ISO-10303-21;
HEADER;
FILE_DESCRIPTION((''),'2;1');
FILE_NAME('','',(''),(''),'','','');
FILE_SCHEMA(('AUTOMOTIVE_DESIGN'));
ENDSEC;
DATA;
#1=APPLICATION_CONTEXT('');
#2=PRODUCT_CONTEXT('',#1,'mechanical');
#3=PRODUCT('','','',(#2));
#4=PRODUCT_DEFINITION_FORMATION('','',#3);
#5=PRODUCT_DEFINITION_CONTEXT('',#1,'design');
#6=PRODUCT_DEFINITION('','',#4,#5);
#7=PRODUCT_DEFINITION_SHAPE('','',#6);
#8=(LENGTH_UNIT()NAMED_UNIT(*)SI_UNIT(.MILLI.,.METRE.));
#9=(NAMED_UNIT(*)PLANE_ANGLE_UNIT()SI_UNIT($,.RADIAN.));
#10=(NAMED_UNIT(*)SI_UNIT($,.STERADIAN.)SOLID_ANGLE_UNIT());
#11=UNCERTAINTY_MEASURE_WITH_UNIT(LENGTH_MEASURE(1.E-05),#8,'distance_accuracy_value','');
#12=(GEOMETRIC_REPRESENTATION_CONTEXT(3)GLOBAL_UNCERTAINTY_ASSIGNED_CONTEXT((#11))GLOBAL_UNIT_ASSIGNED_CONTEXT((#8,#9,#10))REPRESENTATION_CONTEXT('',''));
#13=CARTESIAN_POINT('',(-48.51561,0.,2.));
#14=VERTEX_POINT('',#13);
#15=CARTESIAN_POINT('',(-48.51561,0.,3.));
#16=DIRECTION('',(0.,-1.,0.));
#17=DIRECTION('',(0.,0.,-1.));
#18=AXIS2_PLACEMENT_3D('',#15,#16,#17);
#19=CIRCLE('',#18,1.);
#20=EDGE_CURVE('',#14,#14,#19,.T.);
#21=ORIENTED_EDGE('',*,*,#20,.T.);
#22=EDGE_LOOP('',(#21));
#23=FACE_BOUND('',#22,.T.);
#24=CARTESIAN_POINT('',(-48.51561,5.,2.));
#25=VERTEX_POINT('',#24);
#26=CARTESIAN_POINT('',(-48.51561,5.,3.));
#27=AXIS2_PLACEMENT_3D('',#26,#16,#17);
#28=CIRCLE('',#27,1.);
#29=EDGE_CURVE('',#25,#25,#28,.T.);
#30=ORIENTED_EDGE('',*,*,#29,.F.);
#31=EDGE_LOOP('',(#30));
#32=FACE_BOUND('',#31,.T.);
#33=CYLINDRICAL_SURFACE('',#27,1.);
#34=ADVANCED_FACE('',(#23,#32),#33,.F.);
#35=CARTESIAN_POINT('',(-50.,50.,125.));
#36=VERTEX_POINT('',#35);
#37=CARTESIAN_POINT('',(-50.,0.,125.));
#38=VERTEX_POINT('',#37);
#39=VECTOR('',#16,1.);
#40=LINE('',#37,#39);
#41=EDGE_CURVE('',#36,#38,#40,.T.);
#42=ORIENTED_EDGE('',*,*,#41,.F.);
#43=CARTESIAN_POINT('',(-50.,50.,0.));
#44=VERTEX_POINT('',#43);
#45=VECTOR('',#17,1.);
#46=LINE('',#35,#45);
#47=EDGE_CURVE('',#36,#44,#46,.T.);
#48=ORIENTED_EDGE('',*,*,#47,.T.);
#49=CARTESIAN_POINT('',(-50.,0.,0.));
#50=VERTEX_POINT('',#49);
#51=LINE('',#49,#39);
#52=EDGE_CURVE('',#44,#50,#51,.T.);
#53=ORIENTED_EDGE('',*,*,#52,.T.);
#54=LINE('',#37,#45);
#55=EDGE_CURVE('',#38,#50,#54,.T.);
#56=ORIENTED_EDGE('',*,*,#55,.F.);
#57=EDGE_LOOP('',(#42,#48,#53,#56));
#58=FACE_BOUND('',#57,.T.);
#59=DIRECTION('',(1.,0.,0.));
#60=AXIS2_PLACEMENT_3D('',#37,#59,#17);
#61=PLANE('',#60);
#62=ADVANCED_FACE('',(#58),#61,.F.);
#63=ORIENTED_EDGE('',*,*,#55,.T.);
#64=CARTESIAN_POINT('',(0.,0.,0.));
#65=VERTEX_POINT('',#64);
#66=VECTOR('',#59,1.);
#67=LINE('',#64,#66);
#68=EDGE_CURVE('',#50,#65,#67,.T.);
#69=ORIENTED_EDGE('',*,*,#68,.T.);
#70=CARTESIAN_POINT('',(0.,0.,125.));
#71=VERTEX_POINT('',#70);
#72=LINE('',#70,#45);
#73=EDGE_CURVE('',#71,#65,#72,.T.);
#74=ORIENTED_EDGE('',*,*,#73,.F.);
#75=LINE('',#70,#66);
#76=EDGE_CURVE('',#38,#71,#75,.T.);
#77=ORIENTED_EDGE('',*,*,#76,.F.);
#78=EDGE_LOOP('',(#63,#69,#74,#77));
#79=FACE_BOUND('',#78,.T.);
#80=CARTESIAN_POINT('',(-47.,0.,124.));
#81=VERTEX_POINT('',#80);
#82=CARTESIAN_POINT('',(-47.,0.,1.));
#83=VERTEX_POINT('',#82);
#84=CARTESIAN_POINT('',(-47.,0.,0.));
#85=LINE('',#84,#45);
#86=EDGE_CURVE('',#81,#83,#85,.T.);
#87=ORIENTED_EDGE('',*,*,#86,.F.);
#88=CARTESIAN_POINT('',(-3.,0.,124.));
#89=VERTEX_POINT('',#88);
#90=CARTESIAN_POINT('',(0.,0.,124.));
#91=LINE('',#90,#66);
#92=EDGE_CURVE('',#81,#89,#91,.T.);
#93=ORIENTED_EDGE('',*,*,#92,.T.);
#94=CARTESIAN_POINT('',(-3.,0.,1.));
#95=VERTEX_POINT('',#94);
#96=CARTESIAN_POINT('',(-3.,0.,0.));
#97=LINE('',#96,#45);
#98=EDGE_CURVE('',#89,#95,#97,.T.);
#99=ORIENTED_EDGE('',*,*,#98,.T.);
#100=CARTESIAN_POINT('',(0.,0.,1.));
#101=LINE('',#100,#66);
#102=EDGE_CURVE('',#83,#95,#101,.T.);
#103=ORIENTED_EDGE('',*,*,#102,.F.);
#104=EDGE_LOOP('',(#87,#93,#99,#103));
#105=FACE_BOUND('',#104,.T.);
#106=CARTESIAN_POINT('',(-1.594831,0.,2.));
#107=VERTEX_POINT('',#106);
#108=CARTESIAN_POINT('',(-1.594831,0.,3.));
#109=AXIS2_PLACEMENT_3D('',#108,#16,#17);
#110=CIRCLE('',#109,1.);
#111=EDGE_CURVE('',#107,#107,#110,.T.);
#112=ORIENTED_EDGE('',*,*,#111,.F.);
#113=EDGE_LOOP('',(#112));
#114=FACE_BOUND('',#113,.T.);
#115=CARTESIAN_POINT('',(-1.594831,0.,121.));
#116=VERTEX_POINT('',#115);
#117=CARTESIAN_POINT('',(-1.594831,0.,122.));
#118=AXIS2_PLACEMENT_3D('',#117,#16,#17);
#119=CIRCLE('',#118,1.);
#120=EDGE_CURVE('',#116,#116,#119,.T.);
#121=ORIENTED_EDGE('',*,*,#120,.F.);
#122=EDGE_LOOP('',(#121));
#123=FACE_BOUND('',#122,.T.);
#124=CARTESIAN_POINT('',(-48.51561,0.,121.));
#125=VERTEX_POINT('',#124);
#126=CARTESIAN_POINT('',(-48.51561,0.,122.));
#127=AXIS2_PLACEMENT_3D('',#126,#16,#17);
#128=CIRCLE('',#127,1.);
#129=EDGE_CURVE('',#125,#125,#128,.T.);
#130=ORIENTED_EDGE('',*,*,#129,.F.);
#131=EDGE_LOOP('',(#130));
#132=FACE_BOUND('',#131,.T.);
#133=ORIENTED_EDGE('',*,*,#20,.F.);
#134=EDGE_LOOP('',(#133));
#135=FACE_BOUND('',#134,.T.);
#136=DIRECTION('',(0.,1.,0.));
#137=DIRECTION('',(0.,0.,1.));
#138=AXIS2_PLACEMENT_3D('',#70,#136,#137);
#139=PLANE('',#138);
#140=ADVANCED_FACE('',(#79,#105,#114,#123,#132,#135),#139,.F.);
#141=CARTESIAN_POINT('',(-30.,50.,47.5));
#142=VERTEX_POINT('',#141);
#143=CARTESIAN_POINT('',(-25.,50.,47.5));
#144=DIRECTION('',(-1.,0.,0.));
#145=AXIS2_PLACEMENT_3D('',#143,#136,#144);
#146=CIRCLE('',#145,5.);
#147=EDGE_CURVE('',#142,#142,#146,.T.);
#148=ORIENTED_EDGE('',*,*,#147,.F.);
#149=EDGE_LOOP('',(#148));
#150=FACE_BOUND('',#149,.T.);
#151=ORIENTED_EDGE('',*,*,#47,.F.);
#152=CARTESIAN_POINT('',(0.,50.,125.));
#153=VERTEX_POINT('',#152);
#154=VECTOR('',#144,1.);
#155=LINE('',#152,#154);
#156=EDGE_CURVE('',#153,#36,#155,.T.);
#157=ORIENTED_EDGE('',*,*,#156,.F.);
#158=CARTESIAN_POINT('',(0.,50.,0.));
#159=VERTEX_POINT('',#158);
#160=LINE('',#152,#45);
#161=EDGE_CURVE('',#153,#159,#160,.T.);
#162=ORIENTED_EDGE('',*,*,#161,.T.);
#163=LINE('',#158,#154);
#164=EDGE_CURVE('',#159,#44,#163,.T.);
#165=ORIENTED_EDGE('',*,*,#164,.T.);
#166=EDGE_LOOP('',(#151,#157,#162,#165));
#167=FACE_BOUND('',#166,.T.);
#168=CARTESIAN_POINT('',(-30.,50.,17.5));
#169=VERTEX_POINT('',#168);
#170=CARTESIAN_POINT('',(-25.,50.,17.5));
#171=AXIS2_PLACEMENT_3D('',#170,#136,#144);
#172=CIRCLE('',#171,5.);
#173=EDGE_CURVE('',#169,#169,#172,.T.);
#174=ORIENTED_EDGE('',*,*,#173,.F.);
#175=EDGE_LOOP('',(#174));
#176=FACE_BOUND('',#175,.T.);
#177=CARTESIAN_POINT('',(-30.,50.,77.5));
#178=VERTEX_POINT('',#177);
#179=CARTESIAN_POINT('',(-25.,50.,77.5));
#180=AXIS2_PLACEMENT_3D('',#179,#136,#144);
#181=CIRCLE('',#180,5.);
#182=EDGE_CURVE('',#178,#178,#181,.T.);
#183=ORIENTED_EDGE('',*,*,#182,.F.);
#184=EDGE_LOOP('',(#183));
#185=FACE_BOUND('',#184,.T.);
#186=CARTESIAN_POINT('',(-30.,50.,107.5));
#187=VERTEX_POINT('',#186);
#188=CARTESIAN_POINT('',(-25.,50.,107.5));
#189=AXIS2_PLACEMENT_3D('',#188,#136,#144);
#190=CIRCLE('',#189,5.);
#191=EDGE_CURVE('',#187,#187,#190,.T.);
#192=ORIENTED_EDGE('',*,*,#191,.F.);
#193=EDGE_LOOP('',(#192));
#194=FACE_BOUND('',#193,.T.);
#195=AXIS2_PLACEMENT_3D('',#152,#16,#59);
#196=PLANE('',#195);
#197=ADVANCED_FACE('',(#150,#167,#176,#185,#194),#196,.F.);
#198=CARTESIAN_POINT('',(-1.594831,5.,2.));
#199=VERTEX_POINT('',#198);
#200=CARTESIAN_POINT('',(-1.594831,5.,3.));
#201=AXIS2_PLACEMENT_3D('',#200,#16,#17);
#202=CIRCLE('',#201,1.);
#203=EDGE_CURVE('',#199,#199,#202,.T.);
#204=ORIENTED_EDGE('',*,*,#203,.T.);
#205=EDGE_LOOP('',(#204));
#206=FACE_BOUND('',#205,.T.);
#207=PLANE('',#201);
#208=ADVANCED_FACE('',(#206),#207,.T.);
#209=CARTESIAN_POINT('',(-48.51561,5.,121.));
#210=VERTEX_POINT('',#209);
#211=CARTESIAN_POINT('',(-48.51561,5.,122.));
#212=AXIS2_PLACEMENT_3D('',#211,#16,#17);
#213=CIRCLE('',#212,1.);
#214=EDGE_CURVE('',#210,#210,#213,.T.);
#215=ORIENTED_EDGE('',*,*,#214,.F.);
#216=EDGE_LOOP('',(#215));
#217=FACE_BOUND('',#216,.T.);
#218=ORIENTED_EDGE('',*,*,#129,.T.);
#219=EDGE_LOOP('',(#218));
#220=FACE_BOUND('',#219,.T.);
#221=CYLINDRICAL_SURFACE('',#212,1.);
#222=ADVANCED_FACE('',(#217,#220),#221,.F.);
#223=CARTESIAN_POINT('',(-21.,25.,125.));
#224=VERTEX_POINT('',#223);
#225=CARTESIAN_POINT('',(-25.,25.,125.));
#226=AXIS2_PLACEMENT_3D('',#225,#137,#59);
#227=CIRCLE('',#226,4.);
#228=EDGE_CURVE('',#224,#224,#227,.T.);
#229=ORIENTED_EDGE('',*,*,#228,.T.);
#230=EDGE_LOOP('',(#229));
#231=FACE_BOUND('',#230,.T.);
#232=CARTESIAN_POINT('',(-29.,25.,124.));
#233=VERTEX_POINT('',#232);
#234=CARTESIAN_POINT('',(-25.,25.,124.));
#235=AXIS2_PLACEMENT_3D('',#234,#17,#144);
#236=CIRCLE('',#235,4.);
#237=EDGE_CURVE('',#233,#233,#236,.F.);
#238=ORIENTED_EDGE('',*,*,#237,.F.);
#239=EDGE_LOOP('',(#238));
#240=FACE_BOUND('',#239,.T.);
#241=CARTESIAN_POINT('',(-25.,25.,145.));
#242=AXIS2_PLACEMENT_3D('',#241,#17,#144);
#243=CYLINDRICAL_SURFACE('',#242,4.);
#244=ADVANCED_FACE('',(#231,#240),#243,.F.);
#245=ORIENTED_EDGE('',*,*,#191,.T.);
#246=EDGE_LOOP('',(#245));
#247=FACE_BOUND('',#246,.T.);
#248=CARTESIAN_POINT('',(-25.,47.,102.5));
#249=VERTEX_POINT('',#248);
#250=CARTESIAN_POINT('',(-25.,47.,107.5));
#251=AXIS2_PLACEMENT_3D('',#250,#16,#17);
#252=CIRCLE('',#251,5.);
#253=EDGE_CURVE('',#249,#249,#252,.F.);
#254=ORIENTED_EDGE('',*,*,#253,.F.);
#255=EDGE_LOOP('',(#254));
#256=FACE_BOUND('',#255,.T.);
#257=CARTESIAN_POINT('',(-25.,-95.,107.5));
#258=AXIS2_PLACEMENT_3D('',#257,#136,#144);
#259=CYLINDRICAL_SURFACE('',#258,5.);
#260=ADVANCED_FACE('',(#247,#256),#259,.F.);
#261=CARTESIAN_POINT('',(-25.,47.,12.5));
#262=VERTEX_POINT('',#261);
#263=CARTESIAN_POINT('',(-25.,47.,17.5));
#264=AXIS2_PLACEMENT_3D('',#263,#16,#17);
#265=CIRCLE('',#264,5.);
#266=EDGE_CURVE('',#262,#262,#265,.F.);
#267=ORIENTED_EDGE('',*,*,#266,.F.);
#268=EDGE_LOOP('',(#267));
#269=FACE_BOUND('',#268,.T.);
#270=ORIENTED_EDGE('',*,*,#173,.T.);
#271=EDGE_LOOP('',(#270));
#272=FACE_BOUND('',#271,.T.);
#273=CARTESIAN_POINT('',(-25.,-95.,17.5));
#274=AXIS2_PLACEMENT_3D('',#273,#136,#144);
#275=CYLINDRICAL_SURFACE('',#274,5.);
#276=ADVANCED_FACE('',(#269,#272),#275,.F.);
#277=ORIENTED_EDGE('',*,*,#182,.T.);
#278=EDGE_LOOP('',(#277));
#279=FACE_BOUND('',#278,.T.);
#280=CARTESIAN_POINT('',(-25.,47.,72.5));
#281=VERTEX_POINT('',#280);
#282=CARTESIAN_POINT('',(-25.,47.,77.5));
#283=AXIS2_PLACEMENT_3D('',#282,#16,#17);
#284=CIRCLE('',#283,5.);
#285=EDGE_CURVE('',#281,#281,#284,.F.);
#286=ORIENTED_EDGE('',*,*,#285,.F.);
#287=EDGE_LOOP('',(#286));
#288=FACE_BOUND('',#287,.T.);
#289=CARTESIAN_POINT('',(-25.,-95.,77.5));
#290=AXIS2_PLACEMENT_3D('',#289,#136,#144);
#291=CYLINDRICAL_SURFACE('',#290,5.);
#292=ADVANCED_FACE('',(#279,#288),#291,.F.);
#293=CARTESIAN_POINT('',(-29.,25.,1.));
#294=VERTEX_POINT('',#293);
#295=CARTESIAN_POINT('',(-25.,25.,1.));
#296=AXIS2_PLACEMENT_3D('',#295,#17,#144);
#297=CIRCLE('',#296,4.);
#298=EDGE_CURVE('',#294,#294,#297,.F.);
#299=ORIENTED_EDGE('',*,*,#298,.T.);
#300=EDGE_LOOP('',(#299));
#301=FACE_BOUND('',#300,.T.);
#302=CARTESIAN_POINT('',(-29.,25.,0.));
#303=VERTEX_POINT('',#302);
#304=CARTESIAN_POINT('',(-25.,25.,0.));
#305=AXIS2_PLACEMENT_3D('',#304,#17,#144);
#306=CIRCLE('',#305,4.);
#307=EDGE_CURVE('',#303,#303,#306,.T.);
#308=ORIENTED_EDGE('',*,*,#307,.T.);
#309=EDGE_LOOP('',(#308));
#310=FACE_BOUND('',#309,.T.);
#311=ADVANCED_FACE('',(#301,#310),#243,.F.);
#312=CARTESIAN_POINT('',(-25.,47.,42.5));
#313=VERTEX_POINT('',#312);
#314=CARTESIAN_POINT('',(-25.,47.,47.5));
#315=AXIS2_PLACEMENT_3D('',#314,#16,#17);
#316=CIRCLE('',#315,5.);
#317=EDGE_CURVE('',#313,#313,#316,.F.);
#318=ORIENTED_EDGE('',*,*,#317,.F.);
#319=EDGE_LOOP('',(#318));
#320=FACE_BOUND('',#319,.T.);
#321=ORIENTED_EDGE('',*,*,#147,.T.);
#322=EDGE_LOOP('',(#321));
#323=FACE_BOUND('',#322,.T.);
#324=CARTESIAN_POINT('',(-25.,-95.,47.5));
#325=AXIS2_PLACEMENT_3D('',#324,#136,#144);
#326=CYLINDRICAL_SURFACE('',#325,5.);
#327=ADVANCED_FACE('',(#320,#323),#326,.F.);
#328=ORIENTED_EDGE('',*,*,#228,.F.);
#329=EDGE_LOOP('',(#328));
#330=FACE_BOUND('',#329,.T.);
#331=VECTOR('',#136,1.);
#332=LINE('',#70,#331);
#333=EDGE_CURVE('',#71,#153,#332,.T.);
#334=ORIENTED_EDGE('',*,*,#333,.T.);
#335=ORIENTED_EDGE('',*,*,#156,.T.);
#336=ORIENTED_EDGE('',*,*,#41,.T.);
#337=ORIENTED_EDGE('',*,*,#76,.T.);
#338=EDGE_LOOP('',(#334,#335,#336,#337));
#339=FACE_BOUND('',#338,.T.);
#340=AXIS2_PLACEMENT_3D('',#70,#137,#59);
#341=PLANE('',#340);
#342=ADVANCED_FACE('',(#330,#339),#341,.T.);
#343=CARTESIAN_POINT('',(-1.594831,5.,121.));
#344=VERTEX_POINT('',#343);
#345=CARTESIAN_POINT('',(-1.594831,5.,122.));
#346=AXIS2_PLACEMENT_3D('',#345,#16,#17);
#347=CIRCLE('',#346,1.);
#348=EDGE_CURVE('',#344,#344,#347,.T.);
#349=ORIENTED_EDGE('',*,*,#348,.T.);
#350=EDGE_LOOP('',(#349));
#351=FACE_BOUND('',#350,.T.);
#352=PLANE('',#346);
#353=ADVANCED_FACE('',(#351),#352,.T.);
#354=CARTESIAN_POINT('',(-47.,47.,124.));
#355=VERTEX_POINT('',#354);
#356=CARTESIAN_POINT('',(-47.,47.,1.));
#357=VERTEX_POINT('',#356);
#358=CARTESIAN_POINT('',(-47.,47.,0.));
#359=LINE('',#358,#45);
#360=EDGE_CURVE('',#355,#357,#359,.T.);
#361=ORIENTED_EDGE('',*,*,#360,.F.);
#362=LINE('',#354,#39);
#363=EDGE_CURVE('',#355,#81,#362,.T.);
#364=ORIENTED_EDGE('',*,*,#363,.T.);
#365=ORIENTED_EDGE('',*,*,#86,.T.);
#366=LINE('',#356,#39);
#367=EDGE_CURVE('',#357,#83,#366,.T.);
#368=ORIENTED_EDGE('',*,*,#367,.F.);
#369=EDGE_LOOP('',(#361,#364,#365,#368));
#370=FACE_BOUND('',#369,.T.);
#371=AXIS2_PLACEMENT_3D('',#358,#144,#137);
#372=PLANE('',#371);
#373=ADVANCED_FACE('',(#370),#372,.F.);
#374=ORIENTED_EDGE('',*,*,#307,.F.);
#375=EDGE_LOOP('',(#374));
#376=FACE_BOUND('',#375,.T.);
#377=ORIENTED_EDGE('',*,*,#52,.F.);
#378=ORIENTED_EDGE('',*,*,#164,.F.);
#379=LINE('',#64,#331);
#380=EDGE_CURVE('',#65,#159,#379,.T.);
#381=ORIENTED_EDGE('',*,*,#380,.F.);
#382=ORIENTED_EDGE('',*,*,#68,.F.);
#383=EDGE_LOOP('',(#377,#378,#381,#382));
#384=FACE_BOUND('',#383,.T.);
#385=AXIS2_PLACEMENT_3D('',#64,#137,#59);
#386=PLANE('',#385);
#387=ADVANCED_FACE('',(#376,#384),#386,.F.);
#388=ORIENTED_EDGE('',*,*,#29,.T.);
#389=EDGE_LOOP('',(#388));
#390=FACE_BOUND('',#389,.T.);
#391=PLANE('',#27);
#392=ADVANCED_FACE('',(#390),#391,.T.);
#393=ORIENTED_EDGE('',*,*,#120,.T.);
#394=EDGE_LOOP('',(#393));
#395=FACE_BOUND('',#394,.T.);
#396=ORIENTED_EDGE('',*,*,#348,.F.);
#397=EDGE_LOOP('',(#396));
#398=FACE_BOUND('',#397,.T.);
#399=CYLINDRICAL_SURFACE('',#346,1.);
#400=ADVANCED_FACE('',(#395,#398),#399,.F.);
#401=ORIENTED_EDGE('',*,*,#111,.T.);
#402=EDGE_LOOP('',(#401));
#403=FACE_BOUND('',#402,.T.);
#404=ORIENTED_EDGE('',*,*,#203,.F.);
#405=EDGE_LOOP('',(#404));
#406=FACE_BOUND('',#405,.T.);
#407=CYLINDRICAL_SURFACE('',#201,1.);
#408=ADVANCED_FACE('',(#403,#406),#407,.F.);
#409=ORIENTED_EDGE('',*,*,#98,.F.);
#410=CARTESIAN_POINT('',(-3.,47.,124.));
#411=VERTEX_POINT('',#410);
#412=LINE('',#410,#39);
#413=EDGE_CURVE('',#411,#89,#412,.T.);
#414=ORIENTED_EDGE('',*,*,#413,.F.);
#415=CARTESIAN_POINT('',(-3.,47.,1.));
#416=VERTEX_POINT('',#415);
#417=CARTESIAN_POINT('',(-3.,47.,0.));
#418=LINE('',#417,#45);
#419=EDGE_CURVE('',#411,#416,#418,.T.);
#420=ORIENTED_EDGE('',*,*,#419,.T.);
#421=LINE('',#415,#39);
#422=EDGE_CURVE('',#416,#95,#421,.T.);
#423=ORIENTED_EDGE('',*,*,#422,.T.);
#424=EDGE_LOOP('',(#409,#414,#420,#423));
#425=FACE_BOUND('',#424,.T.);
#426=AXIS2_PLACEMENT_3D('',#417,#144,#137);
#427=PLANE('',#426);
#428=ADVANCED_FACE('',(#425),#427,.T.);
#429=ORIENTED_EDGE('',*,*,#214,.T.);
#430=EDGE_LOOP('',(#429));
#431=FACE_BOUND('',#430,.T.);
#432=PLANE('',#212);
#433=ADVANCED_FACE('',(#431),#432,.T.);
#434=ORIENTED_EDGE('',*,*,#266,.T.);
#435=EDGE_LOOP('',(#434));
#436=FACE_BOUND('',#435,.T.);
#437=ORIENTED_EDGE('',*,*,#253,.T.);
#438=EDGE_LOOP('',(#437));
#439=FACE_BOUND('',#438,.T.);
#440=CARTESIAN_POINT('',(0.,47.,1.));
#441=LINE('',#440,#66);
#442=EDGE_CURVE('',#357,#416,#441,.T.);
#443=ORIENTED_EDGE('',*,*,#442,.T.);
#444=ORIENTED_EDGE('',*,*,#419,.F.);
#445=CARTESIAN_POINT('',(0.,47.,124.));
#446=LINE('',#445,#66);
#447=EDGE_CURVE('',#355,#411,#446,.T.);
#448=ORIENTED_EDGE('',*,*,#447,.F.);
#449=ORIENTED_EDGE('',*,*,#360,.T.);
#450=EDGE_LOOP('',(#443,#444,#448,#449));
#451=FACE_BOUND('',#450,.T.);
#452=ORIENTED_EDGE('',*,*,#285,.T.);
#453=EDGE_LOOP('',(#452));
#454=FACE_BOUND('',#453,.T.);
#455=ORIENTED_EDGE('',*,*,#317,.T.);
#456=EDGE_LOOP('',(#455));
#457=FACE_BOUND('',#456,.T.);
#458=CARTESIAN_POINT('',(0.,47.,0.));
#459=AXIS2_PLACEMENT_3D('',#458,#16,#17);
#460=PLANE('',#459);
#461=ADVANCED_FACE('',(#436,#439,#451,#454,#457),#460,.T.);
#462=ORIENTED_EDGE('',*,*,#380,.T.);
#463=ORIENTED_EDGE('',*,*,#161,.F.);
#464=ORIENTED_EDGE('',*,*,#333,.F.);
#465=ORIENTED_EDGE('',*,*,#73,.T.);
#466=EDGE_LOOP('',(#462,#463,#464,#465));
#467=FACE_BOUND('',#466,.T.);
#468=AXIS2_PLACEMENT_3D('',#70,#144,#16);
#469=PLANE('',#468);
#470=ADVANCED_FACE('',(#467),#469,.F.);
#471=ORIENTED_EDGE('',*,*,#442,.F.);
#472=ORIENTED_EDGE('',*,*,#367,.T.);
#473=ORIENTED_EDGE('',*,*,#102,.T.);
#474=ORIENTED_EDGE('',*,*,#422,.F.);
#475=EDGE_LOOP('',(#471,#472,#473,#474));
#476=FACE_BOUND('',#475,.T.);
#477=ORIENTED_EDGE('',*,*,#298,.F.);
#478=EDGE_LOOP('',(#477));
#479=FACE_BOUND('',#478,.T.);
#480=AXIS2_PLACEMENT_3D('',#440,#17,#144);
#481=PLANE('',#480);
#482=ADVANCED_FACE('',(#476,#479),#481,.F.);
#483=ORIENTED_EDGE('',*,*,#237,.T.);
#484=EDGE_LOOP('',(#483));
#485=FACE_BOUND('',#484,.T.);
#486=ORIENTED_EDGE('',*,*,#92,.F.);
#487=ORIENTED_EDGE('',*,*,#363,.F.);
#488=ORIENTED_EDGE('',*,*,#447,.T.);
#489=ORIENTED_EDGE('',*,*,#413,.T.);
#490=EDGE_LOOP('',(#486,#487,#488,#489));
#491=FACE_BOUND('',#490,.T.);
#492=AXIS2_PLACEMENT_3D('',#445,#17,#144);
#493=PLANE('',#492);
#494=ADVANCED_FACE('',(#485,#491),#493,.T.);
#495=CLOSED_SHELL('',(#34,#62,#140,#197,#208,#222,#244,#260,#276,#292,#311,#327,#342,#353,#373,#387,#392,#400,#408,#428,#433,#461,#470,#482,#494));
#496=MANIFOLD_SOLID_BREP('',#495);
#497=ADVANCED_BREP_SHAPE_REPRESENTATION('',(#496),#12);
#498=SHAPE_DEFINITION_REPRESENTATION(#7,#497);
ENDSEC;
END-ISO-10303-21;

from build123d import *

# Parameters (mm, degrees)
SKETCH1_W           = 50
SKETCH1_H           = 50
BOSS_EXTRUDE1_DEPTH = 125
SKETCH2_R           = 5
CUT_EXTRUDE1_DEPTH  = 145
SKETCH3_R           = 4
CUT_EXTRUDE2_DEPTH  = 145
CUT_EXTRUDE3_START  = -47
SKETCH4_W           = 44
SKETCH4_H           = 123
SKETCH4_R           = 5
CUT_EXTRUDE3_DEPTH  = 47
SKETCH5_R           = 1
CUT_EXTRUDE4_DEPTH  = 5


with BuildPart() as part:
    # Sketch1 → Boss-Extrude1 (new body)
    with BuildSketch(Plane.XY):
        with Locations((-25, 25)):
            Rectangle(SKETCH1_W, SKETCH1_H)
    extrude(amount=BOSS_EXTRUDE1_DEPTH)

    # Sketch2 → Cut-Extrude1 (cut)
    with BuildSketch(Plane(origin=(0, 50, 0), x_dir=(1, 0, 0), z_dir=(0, 1, 0))):
        with Locations(Location((-25, -17.5, 0), (0, 0, 180))):
            Circle(SKETCH2_R)
        with Locations(Location((-25, -47.5, 0), (0, 0, 180))):
            Circle(SKETCH2_R)
        with Locations(Location((-25, -77.5, 0), (0, 0, 180))):
            Circle(SKETCH2_R)
        with Locations(Location((-25, -107.5, 0), (0, 0, 180))):
            Circle(SKETCH2_R)
    extrude(amount=-CUT_EXTRUDE1_DEPTH, mode=Mode.SUBTRACT)

    # Sketch3 → Cut-Extrude2 (cut)
    with BuildSketch(Plane(origin=(0, 0, 0), x_dir=(-1, 0, 0), z_dir=(0, 0, -1))):
        with Locations((25, 25)):
            Circle(SKETCH3_R)
    extrude(amount=-CUT_EXTRUDE2_DEPTH, mode=Mode.SUBTRACT)

    # Sketch4 → Cut-Extrude3 (cut)
    with BuildSketch(Plane(origin=(0, 0, 0), x_dir=(-1, 0, 0), z_dir=(0, -1, 0)).offset(CUT_EXTRUDE3_START)):
        with Locations((25, -62.5)):
            Rectangle(SKETCH4_W, SKETCH4_H)
        with Locations((25, -47.5)):
            Circle(SKETCH4_R, mode=Mode.SUBTRACT)
        with Locations((25, -107.5)):
            Circle(SKETCH4_R, mode=Mode.SUBTRACT)
        with Locations((25, -77.5)):
            Circle(SKETCH4_R, mode=Mode.SUBTRACT)
        with Locations((25, -17.5)):
            Circle(SKETCH4_R, mode=Mode.SUBTRACT)
    extrude(amount=CUT_EXTRUDE3_DEPTH, mode=Mode.SUBTRACT)

    # Sketch5 → Cut-Extrude4 (cut)
    with BuildSketch(Plane(origin=(0, 0, 0), x_dir=(-1, 0, 0), z_dir=(0, -1, 0))):
        with Locations(Location((48.515610021, -122, 0), (0, 0, 90))):
            Circle(SKETCH5_R)
        with Locations(Location((1.594830842, -122, 0), (0, 0, 90))):
            Circle(SKETCH5_R)
        with Locations(Location((48.515610021, -3, 0), (0, 0, 90))):
            Circle(SKETCH5_R)
        with Locations(Location((1.594830842, -3, 0), (0, 0, 90))):
            Circle(SKETCH5_R)
    extrude(amount=-CUT_EXTRUDE4_DEPTH, mode=Mode.SUBTRACT)


solid = part.part
